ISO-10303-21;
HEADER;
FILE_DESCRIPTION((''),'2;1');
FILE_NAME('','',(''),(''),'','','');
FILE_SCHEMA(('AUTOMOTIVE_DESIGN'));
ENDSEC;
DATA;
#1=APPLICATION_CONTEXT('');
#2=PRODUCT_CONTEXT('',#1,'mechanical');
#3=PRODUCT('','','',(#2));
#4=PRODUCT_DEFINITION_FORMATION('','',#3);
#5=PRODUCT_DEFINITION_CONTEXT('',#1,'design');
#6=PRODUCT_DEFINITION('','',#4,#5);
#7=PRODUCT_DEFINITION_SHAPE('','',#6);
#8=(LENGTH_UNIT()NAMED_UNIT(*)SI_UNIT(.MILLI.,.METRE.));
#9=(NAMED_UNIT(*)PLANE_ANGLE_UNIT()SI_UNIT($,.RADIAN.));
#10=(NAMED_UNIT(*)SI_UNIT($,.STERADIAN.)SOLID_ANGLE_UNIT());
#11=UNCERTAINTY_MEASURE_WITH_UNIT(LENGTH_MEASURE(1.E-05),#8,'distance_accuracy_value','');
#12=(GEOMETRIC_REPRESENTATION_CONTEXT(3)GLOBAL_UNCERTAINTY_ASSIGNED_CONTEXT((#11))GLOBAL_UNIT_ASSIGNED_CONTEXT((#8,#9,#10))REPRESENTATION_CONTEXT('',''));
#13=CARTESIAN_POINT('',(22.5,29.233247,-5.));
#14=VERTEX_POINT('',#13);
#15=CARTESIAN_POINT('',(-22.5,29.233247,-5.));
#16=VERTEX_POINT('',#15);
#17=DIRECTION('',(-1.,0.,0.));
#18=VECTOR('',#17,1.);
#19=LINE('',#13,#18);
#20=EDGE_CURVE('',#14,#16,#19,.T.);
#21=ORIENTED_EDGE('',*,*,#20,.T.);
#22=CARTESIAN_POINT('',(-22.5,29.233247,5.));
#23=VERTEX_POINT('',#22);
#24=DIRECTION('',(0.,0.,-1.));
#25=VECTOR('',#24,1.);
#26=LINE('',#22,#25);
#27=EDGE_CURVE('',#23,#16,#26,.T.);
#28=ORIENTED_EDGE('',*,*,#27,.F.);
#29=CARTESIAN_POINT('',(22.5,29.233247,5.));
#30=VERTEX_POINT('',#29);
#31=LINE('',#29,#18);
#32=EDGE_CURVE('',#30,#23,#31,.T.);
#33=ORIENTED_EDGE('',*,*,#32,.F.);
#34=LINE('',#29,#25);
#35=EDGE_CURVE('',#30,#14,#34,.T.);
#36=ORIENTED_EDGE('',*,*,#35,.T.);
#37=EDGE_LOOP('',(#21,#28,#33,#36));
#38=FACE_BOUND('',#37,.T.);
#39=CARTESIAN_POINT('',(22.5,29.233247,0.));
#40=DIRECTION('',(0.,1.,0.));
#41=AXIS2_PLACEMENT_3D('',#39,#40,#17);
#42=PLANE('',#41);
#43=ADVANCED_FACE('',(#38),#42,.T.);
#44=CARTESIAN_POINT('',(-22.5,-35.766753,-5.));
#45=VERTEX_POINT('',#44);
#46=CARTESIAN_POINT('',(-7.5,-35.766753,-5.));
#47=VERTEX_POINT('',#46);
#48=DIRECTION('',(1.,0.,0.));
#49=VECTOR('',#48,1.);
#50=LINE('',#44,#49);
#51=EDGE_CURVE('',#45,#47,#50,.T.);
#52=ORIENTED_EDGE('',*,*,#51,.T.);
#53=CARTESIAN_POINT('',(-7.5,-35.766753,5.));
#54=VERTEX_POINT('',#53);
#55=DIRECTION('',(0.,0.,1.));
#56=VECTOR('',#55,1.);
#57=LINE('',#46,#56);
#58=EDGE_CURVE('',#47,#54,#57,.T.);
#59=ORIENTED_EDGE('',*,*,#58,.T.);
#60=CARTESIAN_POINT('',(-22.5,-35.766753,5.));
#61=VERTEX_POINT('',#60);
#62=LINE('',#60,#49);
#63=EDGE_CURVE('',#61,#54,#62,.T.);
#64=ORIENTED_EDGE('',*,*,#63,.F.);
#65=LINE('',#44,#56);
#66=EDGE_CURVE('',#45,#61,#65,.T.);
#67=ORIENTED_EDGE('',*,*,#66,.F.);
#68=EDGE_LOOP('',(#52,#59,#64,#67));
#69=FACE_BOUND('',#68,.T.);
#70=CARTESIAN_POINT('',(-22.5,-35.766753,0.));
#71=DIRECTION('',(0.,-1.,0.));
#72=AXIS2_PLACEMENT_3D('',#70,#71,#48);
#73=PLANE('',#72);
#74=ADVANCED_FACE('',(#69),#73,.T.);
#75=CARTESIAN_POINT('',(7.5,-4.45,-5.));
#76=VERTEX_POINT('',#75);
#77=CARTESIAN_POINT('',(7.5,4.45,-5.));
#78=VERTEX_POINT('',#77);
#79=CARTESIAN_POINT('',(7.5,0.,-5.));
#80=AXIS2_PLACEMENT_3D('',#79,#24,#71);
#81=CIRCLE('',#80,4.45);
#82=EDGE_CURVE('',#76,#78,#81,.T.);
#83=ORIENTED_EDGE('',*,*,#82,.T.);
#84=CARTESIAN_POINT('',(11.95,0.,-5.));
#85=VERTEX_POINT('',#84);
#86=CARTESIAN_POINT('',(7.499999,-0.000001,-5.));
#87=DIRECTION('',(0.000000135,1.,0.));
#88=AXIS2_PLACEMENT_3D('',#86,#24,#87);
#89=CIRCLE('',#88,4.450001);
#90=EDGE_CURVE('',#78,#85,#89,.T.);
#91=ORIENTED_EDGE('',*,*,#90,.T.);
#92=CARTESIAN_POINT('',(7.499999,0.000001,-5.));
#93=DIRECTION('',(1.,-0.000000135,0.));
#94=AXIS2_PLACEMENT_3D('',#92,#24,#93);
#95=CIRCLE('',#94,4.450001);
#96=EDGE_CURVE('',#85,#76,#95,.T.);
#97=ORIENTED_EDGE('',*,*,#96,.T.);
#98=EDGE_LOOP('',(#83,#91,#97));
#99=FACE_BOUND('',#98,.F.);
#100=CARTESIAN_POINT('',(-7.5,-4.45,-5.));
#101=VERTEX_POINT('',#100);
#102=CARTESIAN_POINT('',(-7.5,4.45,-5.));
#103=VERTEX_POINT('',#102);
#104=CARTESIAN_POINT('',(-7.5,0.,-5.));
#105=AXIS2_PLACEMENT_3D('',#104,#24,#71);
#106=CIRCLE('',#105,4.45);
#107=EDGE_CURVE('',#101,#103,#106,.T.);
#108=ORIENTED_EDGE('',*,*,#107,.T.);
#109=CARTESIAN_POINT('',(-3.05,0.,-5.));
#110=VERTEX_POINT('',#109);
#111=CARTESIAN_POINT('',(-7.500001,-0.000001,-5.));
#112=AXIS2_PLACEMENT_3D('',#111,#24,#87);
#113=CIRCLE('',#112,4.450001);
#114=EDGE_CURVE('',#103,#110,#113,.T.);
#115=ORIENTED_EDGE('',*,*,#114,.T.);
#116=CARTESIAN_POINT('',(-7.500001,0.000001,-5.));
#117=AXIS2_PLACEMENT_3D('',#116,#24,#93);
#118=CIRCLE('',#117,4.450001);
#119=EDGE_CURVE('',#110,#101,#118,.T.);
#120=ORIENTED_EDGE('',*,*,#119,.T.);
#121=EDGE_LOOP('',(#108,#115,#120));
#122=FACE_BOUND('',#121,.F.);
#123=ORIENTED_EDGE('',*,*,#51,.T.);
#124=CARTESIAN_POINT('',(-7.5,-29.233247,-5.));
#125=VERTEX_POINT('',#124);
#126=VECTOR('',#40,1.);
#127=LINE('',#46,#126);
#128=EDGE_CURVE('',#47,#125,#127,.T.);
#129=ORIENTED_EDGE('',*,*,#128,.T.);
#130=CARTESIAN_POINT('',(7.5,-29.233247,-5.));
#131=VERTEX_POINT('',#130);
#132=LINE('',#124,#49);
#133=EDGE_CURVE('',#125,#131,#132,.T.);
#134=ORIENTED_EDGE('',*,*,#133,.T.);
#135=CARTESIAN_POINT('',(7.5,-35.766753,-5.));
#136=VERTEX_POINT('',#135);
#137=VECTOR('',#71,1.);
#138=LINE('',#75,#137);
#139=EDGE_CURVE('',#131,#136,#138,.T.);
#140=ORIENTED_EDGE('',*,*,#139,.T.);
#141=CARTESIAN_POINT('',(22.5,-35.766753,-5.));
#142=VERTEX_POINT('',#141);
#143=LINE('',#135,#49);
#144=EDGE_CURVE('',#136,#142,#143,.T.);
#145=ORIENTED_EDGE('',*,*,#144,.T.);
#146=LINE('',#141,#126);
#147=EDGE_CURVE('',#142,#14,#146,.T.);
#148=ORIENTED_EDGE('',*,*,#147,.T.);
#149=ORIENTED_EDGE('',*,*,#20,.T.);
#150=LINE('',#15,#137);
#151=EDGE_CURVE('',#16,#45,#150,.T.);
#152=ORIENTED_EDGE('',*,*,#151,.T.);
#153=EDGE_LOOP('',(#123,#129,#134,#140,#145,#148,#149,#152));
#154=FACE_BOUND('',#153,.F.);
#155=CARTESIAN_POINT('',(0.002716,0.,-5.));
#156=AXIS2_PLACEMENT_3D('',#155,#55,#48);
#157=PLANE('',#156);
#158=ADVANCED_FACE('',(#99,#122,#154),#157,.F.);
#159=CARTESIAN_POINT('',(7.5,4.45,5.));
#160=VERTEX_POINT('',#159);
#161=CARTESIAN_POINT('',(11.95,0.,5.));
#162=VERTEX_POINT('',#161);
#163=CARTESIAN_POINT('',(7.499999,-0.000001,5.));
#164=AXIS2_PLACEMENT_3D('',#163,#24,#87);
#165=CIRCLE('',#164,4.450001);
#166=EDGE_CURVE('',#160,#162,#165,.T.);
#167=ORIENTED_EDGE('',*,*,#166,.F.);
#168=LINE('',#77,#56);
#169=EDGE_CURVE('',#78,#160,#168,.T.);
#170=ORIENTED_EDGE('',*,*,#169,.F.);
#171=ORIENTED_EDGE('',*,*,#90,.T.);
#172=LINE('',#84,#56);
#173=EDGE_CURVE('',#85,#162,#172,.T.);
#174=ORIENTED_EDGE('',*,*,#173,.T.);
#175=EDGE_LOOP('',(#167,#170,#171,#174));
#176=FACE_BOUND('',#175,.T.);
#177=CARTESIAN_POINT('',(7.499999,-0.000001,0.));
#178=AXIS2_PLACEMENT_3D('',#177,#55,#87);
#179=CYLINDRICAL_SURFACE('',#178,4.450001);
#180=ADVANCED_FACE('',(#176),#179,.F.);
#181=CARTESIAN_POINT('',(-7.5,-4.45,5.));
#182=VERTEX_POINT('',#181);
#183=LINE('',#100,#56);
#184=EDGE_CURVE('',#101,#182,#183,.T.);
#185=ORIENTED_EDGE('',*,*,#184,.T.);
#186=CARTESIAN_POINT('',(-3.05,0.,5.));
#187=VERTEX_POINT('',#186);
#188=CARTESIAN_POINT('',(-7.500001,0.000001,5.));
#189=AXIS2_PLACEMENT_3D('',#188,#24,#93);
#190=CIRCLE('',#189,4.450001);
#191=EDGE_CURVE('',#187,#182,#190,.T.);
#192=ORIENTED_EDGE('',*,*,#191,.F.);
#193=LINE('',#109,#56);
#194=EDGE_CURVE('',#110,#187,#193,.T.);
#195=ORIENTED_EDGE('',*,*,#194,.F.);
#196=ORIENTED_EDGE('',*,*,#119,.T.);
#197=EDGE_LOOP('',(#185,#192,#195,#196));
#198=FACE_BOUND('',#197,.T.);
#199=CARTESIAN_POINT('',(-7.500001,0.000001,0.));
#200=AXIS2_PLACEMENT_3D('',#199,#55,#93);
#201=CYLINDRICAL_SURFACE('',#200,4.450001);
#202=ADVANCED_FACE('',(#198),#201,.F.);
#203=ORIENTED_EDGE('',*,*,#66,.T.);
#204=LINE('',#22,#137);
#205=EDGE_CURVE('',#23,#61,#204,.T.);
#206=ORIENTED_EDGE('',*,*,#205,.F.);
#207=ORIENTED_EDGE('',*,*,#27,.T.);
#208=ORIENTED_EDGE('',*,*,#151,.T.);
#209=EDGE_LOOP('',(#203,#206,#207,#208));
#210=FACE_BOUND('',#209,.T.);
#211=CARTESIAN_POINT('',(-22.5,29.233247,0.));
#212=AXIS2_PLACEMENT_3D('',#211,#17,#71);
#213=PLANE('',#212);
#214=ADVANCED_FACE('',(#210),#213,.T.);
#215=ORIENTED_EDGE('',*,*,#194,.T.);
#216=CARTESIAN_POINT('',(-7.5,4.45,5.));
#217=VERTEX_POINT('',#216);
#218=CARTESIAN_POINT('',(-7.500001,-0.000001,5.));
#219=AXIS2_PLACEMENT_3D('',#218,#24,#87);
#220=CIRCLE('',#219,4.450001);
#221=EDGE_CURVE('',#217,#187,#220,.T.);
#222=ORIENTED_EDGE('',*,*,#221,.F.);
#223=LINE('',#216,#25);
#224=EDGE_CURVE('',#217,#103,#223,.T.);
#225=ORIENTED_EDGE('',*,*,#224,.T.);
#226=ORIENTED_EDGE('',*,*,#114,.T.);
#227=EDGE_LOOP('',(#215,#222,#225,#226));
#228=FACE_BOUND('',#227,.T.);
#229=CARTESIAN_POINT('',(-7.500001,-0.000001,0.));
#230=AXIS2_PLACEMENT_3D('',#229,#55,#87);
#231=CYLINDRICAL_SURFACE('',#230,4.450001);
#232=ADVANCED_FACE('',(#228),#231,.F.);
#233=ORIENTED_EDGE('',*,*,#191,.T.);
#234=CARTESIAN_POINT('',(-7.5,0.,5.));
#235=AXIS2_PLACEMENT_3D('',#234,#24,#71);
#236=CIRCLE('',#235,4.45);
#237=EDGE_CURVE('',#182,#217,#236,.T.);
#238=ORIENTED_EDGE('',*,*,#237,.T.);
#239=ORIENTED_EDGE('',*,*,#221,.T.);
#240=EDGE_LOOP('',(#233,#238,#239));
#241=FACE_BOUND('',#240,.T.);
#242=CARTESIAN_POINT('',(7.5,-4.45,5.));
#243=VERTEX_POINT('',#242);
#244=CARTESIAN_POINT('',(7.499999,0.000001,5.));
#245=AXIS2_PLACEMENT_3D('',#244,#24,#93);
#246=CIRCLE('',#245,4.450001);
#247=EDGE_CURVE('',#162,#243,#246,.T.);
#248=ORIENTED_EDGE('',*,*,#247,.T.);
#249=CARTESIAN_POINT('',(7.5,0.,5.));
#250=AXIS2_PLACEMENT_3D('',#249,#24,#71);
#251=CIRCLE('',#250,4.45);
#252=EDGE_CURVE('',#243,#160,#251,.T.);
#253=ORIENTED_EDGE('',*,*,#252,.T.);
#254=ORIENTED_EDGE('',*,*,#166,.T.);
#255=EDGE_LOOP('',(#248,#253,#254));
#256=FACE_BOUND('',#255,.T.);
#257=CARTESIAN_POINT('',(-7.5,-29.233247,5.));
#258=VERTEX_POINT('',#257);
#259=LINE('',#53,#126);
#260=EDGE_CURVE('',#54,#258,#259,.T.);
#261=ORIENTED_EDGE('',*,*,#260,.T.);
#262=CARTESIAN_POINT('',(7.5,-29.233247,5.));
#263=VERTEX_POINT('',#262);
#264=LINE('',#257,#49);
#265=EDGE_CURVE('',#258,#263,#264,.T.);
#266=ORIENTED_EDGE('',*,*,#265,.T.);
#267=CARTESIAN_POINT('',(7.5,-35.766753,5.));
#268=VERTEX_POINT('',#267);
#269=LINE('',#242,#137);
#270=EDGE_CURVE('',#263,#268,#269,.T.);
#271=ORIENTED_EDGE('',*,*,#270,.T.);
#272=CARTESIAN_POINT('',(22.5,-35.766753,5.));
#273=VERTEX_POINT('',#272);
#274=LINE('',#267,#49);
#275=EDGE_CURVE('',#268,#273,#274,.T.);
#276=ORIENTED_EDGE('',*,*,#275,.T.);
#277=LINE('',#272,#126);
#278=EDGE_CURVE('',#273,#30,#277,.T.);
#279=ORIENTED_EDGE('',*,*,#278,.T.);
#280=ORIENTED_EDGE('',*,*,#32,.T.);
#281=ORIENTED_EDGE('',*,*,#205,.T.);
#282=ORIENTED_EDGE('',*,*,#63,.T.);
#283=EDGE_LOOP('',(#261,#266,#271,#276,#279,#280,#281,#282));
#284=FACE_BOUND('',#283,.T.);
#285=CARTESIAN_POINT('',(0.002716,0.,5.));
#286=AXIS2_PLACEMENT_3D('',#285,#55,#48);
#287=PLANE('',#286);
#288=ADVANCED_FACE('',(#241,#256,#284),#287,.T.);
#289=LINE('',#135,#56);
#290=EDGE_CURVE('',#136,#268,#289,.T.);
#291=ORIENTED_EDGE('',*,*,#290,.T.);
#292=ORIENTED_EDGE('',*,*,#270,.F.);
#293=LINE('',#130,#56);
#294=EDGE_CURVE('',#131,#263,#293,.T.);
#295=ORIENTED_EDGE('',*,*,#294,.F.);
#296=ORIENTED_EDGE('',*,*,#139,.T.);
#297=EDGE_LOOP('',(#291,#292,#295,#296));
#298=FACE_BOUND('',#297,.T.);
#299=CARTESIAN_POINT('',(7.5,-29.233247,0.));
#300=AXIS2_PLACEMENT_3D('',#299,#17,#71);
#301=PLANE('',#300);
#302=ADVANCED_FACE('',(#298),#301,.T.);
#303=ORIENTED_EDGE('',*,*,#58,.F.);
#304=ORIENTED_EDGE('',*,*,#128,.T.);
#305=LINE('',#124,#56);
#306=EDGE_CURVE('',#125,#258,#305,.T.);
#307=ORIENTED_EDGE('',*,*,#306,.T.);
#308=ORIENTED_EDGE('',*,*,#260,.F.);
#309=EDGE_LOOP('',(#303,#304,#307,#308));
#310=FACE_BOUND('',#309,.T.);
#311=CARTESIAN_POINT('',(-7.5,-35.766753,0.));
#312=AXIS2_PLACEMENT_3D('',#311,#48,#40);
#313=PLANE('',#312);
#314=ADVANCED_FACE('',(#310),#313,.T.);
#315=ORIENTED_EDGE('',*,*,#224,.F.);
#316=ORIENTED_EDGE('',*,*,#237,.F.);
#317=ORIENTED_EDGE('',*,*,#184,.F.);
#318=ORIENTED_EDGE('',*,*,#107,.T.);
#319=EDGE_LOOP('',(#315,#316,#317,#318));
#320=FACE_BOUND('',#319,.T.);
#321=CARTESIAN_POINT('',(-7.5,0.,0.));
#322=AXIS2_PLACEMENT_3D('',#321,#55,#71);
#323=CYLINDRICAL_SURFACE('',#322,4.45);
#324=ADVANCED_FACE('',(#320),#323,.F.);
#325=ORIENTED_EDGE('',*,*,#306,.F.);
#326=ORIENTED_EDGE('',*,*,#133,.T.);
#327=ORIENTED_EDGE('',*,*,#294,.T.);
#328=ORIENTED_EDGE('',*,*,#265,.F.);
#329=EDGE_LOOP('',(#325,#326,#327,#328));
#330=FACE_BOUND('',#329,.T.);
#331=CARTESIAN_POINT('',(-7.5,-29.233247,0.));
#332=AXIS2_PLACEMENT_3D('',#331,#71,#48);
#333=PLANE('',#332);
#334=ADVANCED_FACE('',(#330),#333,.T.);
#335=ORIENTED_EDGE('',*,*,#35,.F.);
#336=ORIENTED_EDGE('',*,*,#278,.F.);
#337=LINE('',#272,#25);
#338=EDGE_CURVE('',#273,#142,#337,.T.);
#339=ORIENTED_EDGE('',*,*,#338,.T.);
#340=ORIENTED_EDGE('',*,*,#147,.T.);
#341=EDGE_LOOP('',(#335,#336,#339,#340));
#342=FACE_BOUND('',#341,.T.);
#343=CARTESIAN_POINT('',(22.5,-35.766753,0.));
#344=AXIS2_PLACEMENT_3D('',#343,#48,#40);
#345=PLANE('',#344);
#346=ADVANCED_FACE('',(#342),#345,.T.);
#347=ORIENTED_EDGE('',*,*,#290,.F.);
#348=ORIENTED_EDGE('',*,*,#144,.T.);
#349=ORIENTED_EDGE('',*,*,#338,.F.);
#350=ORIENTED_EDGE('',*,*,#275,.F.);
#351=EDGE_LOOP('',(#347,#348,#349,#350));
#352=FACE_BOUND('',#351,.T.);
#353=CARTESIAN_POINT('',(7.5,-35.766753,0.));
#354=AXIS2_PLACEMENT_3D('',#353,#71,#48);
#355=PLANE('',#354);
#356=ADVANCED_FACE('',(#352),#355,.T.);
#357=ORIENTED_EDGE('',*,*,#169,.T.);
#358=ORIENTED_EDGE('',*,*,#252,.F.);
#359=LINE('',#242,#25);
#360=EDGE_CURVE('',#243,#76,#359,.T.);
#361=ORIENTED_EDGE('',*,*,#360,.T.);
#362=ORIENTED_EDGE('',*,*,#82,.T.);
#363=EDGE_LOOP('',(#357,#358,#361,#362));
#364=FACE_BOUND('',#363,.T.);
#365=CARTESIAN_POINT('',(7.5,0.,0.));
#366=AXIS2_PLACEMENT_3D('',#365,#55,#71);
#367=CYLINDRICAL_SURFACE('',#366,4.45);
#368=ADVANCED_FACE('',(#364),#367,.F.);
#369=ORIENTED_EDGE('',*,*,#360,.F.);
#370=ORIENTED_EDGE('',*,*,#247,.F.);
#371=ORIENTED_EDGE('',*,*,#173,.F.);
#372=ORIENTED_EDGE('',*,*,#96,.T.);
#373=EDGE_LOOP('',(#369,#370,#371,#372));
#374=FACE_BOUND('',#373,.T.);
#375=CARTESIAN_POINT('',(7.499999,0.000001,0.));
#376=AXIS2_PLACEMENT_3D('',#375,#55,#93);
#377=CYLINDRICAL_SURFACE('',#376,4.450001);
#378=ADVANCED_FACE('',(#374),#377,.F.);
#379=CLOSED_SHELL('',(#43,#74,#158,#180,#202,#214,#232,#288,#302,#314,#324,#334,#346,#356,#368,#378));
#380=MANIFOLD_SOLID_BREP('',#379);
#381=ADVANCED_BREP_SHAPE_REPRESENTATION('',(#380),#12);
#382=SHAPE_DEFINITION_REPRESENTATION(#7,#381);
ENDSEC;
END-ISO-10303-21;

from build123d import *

# Parameters (mm, degrees)
F1_DEPTH = 5


with BuildPart() as f1:
    # F0 (on Top) → F1 (new body, symmetric)
    with BuildSketch(Plane.XY):
        with BuildLine():
            Line((7.5, 29.233247), (-7.5, 29.233247))
            Line((-7.5, 29.233247), (-7.5, 4.45))
            ThreePointArc((-7.5, 4.45), (-4.353375, 3.146625), (-3.05, 0))
            ThreePointArc((-3.05, 0), (-4.353375, -3.146625), (-7.5, -4.45))
            Line((-7.5, -4.45), (-7.5, -29.233247))
            Line((-7.5, -29.233247), (7.5, -29.233247))
            Line((7.5, -29.233247), (7.5, -4.45))
            ThreePointArc((7.5, -4.45), (3.05, 0), (7.5, 4.45))
            Line((7.5, 4.45), (7.5, 29.233247))
        make_face()
        with BuildLine():
            Line((-7.5, 4.45), (-7.5, 29.233247))
            Line((-7.5, 29.233247), (-22.5, 29.233247))
            Line((-22.5, 29.233247), (-22.5, -35.766753))
            Line((-22.5, -35.766753), (-7.5, -35.766753))
            Line((-7.5, -35.766753), (-7.5, -29.233247))
            Line((-7.5, -29.233247), (-7.5, -4.45))
            ThreePointArc((-7.5, -4.45), (-11.95, 0), (-7.5, 4.45))
        make_face()
        with BuildLine():
            Line((22.5, 29.233247), (7.5, 29.233247))
            Line((7.5, 29.233247), (7.5, 4.45))
            ThreePointArc((7.5, 4.45), (10.646625, 3.146625), (11.95, 0))
            ThreePointArc((11.95, 0), (10.646625, -3.146625), (7.5, -4.45))
            Line((7.5, -4.45), (7.5, -29.233247))
            Line((7.5, -29.233247), (7.5, -35.766753))
            Line((7.5, -35.766753), (22.5, -35.766753))
            Line((22.5, -35.766753), (22.5, 29.233247))
        make_face()
    extrude(amount=F1_DEPTH, both=True)


solid = f1.part
